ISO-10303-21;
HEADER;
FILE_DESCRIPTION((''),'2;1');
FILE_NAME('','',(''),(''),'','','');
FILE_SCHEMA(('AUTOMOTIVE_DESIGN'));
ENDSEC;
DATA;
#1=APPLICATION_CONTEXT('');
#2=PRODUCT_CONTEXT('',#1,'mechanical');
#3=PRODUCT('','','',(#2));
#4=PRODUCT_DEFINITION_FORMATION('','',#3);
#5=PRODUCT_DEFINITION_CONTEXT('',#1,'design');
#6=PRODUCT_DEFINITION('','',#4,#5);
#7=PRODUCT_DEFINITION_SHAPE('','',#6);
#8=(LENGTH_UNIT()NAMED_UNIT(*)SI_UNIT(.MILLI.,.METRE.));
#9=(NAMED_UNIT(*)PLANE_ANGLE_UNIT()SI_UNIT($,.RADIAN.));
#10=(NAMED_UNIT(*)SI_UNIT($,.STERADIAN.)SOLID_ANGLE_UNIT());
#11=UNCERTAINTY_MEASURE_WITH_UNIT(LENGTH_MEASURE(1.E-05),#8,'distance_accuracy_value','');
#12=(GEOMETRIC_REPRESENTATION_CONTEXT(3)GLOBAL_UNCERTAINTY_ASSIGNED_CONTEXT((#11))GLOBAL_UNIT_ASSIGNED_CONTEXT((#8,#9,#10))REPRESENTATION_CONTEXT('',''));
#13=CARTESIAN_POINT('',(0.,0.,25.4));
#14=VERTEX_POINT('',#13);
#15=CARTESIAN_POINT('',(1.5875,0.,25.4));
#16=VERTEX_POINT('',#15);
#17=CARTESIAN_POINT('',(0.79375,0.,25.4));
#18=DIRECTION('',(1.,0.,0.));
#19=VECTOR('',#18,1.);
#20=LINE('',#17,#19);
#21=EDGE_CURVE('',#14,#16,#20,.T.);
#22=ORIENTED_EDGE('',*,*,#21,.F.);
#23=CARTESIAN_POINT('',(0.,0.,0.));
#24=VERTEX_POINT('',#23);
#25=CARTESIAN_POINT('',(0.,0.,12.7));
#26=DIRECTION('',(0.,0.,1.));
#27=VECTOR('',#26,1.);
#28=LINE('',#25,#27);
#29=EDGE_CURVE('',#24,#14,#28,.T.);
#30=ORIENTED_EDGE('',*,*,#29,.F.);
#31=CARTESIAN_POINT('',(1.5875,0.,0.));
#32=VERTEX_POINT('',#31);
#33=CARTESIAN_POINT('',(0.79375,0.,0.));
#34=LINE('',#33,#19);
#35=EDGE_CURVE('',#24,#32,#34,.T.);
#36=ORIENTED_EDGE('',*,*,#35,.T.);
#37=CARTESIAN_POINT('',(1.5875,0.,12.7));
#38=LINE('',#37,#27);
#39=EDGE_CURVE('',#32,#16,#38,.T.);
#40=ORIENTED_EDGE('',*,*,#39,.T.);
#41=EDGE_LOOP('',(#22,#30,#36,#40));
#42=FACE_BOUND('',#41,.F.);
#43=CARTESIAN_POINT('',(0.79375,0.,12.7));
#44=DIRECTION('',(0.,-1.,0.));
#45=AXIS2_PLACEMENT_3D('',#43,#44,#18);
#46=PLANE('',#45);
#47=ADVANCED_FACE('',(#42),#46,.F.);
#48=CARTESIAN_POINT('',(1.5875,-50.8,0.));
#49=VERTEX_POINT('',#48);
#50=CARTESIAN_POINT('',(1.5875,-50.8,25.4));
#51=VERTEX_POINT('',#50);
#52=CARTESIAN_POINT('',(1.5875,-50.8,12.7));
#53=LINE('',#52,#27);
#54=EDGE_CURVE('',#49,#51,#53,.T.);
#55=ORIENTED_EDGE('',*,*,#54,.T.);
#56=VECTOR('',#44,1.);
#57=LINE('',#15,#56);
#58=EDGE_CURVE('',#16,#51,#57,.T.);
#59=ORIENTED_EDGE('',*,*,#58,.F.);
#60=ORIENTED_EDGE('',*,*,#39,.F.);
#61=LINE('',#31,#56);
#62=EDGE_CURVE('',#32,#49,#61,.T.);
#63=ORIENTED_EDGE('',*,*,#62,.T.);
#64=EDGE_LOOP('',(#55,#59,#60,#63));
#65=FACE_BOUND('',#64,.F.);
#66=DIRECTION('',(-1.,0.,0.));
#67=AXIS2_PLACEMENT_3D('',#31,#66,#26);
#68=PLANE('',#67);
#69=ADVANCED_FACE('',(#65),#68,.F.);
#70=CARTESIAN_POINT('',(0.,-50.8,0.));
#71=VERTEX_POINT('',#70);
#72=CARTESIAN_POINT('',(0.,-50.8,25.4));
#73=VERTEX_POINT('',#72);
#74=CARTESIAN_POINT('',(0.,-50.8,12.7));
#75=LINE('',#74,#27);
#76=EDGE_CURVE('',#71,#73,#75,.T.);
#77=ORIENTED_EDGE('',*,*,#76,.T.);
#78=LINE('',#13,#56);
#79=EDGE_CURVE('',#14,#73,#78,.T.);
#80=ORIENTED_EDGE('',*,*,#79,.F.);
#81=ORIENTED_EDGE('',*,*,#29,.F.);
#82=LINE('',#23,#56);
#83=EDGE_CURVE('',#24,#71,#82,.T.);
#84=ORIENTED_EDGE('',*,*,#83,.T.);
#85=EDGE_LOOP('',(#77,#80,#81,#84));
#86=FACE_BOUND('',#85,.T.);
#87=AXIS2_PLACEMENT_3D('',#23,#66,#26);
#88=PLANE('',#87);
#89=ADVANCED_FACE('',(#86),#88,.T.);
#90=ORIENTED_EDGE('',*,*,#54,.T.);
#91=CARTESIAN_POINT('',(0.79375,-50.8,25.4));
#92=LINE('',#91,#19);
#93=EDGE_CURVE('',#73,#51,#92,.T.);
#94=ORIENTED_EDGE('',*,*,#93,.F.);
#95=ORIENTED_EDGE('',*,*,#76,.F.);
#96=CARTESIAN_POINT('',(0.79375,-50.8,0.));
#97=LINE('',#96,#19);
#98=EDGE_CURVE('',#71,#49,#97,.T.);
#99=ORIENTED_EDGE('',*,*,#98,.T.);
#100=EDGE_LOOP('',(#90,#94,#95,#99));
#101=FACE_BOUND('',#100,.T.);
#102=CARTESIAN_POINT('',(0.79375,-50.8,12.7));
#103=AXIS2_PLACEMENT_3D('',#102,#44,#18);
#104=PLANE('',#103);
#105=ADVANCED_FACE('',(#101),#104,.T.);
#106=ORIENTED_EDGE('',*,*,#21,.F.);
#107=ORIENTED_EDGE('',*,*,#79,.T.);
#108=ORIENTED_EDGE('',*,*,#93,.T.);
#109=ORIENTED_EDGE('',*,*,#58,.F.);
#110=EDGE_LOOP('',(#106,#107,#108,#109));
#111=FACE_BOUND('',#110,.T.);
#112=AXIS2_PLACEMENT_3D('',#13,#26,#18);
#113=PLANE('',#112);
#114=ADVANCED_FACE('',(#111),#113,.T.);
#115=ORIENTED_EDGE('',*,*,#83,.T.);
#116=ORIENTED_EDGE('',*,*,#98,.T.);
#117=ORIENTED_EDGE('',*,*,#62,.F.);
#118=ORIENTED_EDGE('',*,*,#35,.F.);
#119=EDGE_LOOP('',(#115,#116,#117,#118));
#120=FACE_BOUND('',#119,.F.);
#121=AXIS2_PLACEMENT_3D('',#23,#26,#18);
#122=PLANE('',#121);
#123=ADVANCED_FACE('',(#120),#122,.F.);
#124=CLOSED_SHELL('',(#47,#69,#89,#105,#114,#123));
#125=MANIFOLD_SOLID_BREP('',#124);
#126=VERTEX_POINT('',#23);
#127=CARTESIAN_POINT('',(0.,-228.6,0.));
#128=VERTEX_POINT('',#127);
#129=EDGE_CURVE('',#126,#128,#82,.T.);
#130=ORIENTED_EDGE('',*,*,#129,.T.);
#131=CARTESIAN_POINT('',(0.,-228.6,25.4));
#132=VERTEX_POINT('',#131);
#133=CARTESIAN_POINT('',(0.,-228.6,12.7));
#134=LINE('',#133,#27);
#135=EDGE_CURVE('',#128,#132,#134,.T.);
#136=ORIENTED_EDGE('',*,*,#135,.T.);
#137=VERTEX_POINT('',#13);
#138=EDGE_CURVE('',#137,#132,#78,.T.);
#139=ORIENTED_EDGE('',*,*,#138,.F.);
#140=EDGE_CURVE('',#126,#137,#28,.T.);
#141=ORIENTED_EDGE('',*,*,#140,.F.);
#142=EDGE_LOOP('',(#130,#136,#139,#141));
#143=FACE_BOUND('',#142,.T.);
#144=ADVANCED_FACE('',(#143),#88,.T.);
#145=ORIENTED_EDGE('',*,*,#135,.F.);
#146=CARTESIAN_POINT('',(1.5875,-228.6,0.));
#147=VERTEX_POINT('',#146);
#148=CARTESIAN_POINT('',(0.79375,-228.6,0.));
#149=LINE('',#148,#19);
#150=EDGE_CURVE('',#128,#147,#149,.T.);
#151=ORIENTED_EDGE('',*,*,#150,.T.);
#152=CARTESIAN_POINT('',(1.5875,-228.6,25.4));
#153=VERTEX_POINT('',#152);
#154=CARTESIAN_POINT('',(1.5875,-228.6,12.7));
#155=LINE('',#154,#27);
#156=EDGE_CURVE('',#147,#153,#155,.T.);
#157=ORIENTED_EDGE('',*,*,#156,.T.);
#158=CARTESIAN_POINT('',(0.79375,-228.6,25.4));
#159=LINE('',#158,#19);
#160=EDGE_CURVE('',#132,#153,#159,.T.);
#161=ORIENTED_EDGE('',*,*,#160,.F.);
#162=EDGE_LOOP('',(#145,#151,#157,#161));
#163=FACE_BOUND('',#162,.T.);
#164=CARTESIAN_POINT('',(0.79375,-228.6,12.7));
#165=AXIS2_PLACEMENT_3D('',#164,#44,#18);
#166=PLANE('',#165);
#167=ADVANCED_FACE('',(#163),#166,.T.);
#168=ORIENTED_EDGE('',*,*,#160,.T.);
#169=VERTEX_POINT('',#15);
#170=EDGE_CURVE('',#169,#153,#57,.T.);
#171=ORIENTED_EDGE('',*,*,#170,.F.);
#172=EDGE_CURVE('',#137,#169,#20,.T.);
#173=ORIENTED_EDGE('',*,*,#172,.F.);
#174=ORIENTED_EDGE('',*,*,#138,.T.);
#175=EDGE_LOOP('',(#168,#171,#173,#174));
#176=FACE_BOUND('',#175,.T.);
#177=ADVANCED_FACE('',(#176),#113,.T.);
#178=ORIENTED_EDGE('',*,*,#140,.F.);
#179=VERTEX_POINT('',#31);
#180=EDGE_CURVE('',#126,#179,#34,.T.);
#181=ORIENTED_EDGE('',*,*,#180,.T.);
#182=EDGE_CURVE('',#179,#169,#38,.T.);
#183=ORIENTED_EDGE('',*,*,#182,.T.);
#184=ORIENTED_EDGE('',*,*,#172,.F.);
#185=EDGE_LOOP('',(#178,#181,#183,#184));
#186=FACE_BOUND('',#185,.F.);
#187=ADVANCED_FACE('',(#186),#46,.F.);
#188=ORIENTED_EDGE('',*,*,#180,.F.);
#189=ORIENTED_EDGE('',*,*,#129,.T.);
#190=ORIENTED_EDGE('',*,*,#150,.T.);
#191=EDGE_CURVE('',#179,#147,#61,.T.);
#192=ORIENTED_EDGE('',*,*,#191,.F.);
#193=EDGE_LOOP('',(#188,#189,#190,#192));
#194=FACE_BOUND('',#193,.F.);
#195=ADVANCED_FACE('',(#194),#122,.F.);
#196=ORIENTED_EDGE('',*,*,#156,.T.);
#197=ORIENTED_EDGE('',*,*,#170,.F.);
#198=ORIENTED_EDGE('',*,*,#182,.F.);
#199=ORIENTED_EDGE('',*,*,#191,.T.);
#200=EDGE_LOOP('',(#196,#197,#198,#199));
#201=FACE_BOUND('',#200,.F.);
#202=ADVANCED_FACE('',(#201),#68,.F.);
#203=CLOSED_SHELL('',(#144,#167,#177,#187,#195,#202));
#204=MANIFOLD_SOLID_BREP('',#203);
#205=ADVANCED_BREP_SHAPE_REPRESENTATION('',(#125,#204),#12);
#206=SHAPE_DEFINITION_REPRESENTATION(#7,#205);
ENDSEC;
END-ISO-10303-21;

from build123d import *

# Parameters (mm, degrees)
F0_W     = 1.5875
F0_H     = 25.4
F1_DEPTH = 228.6
F2_DEPTH = 50.8
F3_DEPTH = 25.4


with BuildPart() as f1:
    # F0 (on Front) → F1 (new body)
    with BuildSketch(Plane.XZ):
        with Locations((0.79375, 12.7)):
            Rectangle(F0_W, F0_H)
    extrude(amount=F1_DEPTH)


with BuildPart() as f2:
    # F0 (on Front) → F2 (new body)
    with BuildSketch(Plane.XZ):
        with Locations((0.79375, 12.7)):
            Rectangle(F0_W, F0_H)
    extrude(amount=F2_DEPTH)


with BuildPart() as f3:
    # F0 (on Front) → F3 (new body)
    with BuildSketch(Plane.XZ):
        with Locations((0.79375, 12.7)):
            Rectangle(F0_W, F0_H)
    extrude(amount=F3_DEPTH)


solid = Compound([f1.part, f2.part])
